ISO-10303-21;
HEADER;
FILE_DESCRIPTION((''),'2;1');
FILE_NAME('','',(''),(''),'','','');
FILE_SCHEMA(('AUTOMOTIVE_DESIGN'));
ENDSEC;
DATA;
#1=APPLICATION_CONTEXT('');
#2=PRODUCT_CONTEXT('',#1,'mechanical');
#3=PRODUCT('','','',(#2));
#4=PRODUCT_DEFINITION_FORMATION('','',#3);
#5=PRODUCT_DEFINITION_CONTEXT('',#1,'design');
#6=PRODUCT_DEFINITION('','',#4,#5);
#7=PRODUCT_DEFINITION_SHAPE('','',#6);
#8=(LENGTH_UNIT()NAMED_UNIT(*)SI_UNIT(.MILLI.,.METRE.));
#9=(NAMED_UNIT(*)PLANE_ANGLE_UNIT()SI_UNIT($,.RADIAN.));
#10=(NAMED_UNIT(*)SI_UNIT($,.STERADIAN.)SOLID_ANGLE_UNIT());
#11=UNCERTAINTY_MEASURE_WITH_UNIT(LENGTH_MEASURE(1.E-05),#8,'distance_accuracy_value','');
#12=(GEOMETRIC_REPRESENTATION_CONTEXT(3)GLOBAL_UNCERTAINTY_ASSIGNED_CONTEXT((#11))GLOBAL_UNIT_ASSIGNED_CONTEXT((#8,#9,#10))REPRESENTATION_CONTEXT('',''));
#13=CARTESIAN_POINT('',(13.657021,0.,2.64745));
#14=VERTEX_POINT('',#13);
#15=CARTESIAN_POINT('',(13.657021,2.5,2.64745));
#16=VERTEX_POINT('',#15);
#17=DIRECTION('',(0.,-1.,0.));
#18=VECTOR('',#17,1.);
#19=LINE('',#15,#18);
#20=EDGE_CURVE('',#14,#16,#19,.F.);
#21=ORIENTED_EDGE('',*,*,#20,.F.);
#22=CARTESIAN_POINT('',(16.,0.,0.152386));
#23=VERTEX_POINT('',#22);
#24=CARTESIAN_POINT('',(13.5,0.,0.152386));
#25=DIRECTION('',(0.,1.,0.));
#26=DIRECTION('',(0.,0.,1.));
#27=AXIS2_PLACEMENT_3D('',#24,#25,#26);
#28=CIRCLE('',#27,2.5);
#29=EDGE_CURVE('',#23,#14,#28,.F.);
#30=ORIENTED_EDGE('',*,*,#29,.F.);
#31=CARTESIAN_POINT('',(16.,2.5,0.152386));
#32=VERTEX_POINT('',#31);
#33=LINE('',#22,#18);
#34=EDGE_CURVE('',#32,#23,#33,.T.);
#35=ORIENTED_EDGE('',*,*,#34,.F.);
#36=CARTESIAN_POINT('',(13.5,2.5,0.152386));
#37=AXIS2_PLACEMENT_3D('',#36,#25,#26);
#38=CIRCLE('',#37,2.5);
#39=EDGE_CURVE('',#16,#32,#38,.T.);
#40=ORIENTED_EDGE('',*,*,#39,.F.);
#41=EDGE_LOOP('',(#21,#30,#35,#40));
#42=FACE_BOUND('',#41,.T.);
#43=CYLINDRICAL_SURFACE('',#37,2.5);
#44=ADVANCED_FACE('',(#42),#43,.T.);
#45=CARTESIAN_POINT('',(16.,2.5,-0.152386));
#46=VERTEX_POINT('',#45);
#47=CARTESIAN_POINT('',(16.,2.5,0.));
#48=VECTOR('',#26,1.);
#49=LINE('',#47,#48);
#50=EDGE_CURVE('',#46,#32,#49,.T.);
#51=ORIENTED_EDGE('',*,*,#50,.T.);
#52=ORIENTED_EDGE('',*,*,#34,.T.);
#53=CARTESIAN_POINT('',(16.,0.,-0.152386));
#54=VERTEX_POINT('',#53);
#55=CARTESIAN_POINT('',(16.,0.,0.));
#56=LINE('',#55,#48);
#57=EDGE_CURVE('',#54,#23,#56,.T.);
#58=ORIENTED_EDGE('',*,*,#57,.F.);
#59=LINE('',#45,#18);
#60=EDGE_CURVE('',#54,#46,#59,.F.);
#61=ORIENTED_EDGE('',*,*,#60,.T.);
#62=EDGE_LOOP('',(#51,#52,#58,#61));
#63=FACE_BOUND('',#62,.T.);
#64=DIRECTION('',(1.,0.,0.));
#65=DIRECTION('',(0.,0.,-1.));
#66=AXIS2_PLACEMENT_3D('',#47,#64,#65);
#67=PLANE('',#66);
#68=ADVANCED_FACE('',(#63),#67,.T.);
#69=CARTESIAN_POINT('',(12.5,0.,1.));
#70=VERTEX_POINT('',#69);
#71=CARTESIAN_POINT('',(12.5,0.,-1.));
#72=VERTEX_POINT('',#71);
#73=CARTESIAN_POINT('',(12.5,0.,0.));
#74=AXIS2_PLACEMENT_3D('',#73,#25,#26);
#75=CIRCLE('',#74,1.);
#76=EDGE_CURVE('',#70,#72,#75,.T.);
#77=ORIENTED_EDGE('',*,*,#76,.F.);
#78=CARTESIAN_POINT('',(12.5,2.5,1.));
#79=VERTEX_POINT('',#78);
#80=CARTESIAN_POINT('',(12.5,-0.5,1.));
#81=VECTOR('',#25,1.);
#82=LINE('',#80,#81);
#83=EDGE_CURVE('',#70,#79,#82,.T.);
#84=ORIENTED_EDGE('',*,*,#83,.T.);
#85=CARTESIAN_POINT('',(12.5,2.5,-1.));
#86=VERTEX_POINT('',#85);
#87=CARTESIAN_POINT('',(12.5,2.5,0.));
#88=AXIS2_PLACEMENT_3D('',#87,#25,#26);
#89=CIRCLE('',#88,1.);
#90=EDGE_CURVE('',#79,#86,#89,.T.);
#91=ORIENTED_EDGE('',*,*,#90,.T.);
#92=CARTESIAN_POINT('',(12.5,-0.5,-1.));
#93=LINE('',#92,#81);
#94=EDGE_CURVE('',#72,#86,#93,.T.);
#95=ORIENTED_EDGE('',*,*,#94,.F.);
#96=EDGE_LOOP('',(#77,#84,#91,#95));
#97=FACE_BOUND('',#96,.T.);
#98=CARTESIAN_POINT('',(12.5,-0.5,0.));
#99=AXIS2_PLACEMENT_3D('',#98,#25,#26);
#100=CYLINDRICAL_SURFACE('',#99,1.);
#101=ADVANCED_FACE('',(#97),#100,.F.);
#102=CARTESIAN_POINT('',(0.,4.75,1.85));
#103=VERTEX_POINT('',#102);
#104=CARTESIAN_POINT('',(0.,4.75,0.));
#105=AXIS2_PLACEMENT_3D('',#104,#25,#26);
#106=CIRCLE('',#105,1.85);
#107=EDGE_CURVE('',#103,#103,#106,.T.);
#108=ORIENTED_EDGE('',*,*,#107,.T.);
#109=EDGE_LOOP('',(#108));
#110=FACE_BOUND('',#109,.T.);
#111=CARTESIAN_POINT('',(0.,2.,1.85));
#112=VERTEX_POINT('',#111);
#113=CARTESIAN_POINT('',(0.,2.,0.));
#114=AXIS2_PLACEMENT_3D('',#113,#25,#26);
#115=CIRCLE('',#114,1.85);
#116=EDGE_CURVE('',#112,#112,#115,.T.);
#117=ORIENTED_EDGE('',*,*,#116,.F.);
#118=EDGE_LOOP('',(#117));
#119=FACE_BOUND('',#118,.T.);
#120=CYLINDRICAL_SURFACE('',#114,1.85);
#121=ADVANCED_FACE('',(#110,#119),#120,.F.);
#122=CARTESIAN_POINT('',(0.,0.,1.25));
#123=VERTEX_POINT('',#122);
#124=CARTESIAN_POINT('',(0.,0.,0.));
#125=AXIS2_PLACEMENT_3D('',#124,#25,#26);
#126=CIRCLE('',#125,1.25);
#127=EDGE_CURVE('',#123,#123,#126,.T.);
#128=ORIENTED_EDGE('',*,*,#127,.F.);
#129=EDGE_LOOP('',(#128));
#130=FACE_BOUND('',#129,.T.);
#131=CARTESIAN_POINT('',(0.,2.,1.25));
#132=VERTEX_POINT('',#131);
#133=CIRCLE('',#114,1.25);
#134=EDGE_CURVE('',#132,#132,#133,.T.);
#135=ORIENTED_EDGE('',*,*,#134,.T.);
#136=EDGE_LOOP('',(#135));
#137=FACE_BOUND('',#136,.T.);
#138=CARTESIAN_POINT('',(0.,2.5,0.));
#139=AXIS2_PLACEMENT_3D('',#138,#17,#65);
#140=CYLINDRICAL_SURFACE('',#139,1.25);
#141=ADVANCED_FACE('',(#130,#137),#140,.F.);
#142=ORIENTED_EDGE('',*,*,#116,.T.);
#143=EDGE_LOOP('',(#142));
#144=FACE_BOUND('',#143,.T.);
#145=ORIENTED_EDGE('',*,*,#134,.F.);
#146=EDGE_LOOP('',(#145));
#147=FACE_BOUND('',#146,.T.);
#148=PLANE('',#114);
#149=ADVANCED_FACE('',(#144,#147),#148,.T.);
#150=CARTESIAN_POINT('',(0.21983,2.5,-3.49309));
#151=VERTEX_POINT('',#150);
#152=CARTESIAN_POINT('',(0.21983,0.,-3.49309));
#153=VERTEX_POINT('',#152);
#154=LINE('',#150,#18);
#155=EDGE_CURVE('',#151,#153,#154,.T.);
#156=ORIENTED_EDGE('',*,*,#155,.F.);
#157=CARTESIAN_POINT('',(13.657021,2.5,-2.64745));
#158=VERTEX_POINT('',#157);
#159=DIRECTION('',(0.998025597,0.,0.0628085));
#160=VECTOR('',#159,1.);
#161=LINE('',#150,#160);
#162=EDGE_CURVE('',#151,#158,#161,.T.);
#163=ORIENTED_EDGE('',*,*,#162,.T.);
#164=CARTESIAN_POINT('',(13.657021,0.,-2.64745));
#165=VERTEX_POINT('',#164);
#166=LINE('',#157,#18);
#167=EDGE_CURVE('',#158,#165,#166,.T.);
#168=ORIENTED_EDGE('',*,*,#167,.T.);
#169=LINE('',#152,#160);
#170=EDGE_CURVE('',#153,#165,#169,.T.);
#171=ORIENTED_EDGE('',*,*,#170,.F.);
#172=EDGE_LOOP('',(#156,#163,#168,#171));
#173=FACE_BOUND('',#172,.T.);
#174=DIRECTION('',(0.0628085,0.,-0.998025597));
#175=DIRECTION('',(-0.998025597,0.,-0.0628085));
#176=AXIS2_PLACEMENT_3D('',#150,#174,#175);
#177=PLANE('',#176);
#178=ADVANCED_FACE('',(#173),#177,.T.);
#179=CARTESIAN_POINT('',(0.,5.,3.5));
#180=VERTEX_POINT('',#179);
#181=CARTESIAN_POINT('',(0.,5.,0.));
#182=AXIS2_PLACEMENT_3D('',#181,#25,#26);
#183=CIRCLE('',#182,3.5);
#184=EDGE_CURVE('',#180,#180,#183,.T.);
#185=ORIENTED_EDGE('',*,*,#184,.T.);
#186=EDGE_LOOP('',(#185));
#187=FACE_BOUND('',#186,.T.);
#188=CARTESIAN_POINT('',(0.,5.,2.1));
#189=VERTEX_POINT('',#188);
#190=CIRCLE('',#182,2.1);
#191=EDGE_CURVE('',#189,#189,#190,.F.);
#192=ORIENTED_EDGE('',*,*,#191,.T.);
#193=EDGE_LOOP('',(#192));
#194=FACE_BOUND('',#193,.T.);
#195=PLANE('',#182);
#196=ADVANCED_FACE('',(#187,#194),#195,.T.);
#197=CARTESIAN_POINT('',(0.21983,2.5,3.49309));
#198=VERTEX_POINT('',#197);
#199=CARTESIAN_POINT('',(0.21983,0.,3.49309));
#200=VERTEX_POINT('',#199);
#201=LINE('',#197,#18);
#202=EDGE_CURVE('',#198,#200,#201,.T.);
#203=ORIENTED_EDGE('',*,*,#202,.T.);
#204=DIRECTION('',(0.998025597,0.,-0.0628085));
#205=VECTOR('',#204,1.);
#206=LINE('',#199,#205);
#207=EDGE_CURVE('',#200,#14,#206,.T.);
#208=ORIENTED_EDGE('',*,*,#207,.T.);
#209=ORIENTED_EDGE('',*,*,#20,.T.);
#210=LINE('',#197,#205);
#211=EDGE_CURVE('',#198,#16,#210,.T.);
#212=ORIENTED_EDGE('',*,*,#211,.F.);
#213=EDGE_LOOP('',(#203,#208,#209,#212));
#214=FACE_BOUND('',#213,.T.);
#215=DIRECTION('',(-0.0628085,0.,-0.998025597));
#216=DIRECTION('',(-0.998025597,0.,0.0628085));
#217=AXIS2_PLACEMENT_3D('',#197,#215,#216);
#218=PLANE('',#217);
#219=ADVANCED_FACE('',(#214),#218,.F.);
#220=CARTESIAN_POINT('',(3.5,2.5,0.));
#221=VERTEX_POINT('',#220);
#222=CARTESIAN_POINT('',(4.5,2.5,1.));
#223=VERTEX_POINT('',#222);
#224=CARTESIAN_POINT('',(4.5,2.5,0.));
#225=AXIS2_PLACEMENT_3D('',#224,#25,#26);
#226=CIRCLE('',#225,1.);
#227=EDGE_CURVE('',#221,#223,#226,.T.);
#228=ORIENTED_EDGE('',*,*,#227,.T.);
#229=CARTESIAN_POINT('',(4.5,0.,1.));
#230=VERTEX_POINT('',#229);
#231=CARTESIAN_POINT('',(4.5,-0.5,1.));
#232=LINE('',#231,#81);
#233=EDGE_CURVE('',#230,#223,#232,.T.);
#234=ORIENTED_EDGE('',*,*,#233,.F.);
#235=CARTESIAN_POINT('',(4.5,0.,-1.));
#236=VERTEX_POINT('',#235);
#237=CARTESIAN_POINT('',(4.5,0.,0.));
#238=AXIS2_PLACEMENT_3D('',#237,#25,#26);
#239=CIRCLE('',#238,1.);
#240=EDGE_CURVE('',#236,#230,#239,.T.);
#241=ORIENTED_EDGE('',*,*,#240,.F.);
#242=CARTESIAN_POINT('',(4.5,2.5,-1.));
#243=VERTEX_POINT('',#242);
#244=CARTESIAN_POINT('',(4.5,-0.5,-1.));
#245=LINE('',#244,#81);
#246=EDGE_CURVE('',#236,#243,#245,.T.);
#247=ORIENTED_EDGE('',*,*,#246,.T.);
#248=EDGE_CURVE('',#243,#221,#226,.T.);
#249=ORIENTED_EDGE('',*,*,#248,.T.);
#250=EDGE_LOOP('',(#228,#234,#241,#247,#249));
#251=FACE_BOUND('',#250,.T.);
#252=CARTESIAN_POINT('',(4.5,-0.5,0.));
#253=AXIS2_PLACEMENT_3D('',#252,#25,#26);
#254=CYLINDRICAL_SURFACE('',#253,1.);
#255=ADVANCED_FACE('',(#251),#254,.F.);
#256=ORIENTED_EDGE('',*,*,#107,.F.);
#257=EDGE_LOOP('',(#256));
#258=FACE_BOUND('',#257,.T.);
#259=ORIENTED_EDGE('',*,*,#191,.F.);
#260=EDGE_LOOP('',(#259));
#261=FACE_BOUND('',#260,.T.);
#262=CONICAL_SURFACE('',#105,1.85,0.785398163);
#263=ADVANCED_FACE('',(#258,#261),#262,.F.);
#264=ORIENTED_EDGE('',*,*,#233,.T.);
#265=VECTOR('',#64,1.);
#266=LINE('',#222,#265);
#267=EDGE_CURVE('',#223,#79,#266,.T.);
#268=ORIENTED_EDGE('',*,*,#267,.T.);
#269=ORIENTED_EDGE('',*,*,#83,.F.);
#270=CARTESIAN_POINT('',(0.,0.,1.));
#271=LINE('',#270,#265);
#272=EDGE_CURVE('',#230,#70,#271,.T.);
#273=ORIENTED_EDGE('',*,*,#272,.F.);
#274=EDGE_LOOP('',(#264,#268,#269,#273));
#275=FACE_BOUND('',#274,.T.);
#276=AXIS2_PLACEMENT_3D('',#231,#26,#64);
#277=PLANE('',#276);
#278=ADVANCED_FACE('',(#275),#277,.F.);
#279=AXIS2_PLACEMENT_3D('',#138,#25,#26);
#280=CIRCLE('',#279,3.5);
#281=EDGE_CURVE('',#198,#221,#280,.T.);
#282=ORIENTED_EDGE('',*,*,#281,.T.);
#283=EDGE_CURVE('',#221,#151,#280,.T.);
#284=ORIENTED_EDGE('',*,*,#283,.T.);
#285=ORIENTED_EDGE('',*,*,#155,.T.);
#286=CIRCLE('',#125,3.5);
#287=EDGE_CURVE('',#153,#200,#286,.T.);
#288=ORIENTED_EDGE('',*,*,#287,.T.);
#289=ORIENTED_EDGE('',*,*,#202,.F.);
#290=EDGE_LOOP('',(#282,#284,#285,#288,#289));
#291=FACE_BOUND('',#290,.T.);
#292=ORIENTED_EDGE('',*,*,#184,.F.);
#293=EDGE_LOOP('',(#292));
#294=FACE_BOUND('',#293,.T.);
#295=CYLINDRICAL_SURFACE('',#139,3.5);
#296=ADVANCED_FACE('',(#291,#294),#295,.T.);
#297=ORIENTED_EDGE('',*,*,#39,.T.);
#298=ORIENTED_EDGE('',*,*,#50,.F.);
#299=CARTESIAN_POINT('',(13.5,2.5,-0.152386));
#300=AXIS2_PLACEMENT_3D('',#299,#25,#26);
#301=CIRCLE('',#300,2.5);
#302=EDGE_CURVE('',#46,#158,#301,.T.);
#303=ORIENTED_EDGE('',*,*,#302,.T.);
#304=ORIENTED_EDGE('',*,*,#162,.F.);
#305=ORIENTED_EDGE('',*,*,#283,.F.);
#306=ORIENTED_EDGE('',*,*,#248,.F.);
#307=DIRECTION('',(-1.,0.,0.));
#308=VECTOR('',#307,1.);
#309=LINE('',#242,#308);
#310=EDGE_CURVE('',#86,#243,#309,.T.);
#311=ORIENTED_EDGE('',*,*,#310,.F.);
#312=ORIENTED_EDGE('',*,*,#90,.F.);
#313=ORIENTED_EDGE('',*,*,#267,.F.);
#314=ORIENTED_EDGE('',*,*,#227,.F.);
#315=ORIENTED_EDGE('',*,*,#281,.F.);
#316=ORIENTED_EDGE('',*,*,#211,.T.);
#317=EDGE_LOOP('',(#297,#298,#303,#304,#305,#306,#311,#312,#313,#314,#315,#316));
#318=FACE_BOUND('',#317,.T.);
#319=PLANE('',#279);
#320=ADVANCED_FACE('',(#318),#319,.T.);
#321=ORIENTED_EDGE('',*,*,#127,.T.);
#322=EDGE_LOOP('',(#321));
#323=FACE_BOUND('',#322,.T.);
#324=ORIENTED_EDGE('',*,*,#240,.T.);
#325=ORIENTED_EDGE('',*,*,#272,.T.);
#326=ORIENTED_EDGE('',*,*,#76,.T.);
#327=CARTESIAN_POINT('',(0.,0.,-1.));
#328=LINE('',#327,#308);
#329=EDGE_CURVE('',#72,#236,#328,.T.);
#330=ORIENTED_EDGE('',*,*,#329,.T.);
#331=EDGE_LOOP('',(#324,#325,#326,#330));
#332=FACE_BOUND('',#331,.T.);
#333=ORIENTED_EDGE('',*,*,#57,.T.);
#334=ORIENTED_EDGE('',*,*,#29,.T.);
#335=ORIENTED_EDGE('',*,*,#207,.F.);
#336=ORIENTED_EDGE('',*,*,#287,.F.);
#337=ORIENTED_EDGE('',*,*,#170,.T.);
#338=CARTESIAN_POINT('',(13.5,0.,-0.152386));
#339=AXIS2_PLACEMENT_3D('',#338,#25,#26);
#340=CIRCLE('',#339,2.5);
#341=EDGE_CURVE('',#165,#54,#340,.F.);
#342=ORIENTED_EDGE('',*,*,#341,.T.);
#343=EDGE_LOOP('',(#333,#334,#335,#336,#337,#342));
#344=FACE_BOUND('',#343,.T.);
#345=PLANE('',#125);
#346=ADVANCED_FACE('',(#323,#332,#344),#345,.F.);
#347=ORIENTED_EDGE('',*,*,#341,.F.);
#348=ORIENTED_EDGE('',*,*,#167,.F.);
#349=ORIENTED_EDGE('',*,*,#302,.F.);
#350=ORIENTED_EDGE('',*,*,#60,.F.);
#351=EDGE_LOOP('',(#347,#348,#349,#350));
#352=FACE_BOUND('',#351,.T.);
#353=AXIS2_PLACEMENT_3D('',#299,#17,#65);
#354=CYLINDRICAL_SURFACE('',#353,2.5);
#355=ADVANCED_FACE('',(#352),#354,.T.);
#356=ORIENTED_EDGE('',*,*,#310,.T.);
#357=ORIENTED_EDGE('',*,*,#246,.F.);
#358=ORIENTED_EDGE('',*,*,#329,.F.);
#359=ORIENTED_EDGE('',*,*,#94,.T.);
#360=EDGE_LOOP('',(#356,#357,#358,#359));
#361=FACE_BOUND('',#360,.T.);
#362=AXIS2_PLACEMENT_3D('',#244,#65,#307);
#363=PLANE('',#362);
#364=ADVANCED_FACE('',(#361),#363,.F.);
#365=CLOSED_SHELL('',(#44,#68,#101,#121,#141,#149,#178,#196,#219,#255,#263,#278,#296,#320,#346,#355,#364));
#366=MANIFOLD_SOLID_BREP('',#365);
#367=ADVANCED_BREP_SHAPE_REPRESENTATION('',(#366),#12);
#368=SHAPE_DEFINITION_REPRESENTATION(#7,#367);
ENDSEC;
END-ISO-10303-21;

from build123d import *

# Parameters (mm, degrees)
SKETCH1_R           = 1.25
BOSS_EXTRUDE1_DEPTH = 2.5
SKETCH2_R           = 3.5
SKETCH2_R_2         = 1.25
BOSS_EXTRUDE2_DEPTH = 2.5
CUT_EXTRUDE1_START  = -3
SKETCH3_R           = 1.85
SKETCH3_R_2         = 1.25
CUT_EXTRUDE1_DEPTH  = 3
CHAMFER1_SIZE       = 0.25
CUT_EXTRUDE2_DEPTH  = 3
FILLET1_R           = 2.5


with BuildPart() as part:
    # Sketch1 → Boss-Extrude1 (new body)
    with BuildSketch(Plane(origin=(0, 0, 0), x_dir=(1, 0, 0), z_dir=(0, 1, 0))):
        with BuildLine():
            ThreePointArc((0.219829752, 3.49308959), (-3.5, 0), (0.219829752, -3.49308959))
            Line((0.219829752, -3.49308959), (16, -2.5))
            Line((16, -2.5), (16, 2.5))
            Line((16, 2.5), (0.219829752, 3.49308959))
        make_face()
        with Locations(Location((0, 0, 0), (0, 0, 270))):
            Circle(SKETCH1_R, mode=Mode.SUBTRACT)
    extrude(amount=BOSS_EXTRUDE1_DEPTH)

    # Sketch2 → Boss-Extrude2 (add)
    with BuildSketch(Plane(origin=(0, 2.5, 0), x_dir=(1, 0, 0), z_dir=(0, 1, 0))):
        with Locations(Location((0, 0, 0), (0, 0, 86.398967731))):
            Circle(SKETCH2_R)
        with Locations(Location((0, 0, 0), (0, 0, 270))):
            Circle(SKETCH2_R_2, mode=Mode.SUBTRACT)
    extrude(amount=BOSS_EXTRUDE2_DEPTH)

    # Sketch3 → Cut-Extrude1 (cut)
    with BuildSketch(Plane(origin=(0, 5, 0), x_dir=(1, 0, 0), z_dir=(0, 1, 0)).offset(CUT_EXTRUDE1_START)):
        with Locations(Location((0, 0, 0), (0, 0, 270))):
            Circle(SKETCH3_R)
        with Locations(Location((0, 0, 0), (0, 0, 270))):
            Circle(SKETCH3_R_2, mode=Mode.SUBTRACT)
    extrude(amount=CUT_EXTRUDE1_DEPTH, mode=Mode.SUBTRACT)

    # Chamfer1
    chamfer1_edges = [part.edges().sort_by_distance(p)[0] for p in [
        (0, 5, -1.85),
    ]]
    chamfer(chamfer1_edges, length=CHAMFER1_SIZE)

    # Sketch4 → Cut-Extrude2 (cut)
    with BuildSketch(Plane(origin=(0, 2.5, 0), x_dir=(1, 0, 0), z_dir=(0, 1, 0))):
        with BuildLine():
            Line((4.5, 1), (12.5, 1))
            ThreePointArc((12.5, 1), (13.5, 0), (12.5, -1))
            Line((12.5, -1), (4.5, -1))
            ThreePointArc((4.5, -1), (3.5, 0), (4.5, 1))
        make_face()
    extrude(amount=-CUT_EXTRUDE2_DEPTH, mode=Mode.SUBTRACT)

    # Fillet1
    fillet1_edges = [part.edges().sort_by_distance(p)[0] for p in [
        (16, 1.25, -2.5),
        (16, 1.25, 2.5),
    ]]
    fillet(fillet1_edges, radius=FILLET1_R)


solid = part.part
